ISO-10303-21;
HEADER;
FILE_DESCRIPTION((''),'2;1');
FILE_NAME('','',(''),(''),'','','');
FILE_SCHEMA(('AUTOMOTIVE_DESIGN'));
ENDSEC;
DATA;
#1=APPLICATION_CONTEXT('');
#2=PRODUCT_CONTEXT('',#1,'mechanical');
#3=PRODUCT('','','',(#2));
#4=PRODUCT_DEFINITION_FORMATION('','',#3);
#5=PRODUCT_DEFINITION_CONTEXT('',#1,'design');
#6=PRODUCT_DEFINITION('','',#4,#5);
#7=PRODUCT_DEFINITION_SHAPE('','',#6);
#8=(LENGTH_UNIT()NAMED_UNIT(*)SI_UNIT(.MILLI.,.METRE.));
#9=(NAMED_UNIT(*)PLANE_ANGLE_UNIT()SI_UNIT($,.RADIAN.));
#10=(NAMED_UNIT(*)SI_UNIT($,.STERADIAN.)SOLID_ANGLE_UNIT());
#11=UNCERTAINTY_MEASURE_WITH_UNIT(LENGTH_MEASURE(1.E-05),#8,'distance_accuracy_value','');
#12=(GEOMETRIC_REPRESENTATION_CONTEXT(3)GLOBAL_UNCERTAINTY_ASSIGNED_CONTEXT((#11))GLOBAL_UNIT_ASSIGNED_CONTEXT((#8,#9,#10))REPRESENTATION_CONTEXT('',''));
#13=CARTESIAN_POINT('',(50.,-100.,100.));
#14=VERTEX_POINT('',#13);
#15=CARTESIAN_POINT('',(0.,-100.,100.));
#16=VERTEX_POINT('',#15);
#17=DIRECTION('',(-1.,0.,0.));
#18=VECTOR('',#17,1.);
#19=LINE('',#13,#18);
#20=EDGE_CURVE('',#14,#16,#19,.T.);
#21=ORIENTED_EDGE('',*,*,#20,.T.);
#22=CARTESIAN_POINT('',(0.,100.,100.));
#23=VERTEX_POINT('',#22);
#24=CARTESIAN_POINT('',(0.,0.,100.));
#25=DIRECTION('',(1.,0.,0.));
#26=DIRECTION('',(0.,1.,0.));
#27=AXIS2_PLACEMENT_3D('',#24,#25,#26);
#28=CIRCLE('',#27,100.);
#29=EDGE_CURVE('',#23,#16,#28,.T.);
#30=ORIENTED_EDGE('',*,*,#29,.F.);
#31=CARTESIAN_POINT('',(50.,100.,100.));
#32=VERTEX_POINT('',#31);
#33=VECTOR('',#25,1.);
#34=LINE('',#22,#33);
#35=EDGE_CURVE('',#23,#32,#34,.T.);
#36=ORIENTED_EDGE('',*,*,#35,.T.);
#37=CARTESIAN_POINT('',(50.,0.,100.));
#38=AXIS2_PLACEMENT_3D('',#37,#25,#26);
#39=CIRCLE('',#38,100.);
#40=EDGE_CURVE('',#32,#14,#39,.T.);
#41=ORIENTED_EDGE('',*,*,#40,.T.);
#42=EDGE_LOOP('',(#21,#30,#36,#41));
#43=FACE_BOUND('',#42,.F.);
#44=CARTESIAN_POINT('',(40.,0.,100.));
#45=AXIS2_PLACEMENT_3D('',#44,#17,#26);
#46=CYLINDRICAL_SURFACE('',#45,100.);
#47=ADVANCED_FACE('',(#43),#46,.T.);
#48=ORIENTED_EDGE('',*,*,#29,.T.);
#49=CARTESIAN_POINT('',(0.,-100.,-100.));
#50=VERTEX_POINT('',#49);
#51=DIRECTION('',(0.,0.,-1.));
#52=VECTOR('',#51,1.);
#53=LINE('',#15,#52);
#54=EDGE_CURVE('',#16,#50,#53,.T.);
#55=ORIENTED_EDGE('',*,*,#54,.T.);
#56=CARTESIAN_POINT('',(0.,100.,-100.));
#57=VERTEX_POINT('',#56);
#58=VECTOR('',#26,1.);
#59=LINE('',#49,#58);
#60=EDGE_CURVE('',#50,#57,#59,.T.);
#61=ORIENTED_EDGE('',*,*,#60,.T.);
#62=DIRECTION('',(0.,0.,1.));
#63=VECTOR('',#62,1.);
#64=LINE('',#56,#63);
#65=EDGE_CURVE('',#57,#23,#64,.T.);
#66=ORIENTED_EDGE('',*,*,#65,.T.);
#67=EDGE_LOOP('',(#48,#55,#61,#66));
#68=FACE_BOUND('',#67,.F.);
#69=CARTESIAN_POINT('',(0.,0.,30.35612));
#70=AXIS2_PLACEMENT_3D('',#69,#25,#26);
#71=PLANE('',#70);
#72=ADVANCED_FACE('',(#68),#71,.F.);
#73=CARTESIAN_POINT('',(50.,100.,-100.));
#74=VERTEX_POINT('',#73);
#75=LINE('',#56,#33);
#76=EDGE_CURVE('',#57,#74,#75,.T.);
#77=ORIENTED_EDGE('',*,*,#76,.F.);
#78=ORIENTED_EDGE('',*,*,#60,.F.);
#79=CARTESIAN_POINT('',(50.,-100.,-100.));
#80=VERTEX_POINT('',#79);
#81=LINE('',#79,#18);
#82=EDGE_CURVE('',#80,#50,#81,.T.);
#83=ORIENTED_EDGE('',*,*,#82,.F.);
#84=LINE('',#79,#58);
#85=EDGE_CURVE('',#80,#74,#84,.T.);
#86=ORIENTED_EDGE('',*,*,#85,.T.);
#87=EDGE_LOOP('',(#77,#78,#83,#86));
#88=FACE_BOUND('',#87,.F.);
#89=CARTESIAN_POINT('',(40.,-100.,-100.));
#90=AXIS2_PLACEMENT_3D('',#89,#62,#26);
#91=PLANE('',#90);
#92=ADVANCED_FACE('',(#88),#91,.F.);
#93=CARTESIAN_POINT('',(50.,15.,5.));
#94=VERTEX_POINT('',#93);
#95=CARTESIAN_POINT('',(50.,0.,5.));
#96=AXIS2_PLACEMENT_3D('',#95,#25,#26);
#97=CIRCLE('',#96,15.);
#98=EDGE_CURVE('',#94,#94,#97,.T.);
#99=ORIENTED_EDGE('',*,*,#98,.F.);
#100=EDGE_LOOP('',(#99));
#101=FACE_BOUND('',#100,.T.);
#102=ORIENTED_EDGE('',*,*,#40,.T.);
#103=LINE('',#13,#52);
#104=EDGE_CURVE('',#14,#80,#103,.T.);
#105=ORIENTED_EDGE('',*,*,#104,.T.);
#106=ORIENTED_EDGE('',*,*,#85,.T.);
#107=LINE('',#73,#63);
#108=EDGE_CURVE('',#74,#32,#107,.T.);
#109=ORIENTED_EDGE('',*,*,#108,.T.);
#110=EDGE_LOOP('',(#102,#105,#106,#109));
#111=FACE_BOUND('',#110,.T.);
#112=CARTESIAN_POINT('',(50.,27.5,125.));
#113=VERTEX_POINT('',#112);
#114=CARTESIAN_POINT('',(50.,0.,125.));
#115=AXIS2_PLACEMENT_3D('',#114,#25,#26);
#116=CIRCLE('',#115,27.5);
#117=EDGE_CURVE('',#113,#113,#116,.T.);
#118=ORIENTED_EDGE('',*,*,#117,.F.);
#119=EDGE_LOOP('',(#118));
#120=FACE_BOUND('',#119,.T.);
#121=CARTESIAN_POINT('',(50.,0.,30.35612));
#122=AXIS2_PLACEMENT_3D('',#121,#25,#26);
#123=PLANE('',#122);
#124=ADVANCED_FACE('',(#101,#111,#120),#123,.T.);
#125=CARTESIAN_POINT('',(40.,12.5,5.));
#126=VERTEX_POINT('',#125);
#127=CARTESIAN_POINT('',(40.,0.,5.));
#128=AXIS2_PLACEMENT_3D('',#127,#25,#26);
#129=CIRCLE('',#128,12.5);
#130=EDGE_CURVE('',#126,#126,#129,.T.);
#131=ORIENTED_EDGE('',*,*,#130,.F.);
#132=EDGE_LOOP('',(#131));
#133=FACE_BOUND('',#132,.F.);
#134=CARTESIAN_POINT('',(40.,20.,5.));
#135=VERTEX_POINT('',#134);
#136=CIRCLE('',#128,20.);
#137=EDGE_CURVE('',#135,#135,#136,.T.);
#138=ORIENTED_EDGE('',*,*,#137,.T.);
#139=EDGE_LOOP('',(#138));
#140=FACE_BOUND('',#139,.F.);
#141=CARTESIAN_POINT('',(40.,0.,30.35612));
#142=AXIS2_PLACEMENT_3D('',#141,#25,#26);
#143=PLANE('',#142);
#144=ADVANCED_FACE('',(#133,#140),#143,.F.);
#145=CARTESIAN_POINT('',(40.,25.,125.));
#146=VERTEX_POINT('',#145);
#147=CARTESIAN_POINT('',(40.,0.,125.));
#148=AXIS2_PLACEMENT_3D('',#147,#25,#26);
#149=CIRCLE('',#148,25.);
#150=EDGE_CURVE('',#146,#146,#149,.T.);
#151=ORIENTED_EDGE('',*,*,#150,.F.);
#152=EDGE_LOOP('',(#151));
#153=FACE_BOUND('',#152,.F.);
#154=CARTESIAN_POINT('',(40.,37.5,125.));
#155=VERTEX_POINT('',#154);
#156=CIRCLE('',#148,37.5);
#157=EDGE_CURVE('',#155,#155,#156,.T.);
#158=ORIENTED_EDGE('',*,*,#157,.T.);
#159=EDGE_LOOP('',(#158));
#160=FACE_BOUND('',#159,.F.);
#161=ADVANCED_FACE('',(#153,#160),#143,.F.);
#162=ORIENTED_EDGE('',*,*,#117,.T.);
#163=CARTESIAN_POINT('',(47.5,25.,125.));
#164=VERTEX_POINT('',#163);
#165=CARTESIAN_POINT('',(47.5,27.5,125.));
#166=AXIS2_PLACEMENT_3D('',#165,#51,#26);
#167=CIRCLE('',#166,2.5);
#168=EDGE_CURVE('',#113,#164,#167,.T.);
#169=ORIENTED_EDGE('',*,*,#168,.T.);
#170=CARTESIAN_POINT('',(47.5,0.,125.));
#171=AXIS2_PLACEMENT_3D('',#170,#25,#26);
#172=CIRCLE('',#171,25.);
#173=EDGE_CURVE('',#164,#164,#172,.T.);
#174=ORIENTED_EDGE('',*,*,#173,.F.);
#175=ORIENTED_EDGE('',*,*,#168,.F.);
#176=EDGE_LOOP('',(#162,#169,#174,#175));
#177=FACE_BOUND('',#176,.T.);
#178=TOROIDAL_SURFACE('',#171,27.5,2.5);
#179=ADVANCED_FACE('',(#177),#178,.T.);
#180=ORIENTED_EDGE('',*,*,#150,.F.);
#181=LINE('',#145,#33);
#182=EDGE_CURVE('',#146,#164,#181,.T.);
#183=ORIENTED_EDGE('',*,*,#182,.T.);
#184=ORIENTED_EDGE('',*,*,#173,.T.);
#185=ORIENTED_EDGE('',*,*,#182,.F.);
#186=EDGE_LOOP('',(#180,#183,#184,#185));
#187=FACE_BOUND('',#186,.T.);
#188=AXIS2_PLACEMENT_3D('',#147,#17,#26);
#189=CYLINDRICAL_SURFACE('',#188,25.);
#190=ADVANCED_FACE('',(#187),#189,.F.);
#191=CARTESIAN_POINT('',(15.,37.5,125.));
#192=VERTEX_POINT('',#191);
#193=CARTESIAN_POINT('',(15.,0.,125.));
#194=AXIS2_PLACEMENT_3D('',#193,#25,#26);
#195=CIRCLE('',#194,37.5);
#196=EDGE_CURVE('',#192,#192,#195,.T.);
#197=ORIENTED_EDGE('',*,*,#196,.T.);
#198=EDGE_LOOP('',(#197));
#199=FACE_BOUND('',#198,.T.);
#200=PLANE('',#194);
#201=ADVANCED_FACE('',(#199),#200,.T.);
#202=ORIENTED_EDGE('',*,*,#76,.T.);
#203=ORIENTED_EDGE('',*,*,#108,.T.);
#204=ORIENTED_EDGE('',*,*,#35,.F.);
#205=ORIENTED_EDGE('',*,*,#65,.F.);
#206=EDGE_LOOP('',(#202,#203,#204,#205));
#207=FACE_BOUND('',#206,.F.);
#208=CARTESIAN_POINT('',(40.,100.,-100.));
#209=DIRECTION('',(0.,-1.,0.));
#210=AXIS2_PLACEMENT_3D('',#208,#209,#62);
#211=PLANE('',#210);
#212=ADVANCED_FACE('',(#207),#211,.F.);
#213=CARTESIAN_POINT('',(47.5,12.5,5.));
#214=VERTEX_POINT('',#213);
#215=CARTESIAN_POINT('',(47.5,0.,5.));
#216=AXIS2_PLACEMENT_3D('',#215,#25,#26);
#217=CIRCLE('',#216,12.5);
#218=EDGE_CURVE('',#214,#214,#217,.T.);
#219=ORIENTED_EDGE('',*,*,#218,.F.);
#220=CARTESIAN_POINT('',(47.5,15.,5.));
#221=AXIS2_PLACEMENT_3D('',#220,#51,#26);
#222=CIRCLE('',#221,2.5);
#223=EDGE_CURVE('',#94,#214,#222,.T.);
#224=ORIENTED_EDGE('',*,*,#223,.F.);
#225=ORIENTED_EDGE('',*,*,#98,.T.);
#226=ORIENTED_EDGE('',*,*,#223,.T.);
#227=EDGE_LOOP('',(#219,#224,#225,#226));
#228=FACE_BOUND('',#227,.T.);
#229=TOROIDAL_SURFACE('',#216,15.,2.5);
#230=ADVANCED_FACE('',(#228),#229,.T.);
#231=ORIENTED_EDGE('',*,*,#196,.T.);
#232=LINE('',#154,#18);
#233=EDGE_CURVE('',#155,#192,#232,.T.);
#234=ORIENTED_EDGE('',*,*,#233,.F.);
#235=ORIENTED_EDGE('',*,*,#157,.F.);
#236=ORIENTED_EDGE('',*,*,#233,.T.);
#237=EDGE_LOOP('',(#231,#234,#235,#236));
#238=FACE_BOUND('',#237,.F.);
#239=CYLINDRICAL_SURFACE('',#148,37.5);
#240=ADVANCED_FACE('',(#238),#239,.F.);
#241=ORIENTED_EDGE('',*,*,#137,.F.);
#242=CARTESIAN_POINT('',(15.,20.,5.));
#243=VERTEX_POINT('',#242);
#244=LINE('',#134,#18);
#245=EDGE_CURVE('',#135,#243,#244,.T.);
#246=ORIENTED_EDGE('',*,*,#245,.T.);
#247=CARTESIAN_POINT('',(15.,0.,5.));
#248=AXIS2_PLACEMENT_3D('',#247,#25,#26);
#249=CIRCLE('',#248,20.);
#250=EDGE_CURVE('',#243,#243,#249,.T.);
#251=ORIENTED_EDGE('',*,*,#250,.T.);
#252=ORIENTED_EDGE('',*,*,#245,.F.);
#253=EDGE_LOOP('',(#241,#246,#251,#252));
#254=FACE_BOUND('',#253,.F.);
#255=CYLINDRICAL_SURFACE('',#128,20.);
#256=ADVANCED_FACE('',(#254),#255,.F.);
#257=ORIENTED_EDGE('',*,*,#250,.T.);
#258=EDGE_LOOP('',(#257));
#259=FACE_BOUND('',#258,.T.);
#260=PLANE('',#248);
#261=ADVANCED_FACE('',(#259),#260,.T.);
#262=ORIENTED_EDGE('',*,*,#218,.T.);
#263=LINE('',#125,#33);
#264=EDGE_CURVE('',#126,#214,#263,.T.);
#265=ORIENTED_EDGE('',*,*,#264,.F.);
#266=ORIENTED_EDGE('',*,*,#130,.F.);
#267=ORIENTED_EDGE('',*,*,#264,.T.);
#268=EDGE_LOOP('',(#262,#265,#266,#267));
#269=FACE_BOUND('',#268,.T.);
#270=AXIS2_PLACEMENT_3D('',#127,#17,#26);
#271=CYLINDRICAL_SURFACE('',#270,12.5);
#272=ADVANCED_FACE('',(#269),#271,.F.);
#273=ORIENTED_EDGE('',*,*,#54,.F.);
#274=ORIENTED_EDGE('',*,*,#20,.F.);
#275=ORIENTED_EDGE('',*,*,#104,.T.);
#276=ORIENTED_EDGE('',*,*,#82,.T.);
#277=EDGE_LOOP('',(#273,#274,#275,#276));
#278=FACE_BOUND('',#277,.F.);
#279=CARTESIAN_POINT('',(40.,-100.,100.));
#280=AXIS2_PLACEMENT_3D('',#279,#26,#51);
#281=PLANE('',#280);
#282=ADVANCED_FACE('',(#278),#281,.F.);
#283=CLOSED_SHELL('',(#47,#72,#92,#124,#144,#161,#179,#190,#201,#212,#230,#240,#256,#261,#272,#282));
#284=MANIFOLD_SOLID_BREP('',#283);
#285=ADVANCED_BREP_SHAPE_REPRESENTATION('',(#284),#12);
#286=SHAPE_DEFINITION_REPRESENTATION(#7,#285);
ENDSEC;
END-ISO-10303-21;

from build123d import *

# Parameters (mm, degrees)
F1_DEPTH = 40
F2_R     = 37.5
F2_R_2   = 20
F4_DEPTH = 25
F5_R     = 12.5
F5_R_2   = 25
F6_DEPTH = 10
F7_R     = 2.5


with BuildPart() as f1:
    # F0 (on Right) → F1 (new body)
    with BuildSketch(Plane.YZ):
        with BuildLine():
            Line((-100, -100), (100, -100))
            Line((100, -100), (100, 100))
            ThreePointArc((100, 100), (0, 200), (-100, 100))
            Line((-100, 100), (-100, -100))
        make_face()
    extrude(amount=F1_DEPTH)

    # F2 (on face) → F4 (cut)
    with BuildSketch(Plane.YZ.offset(40)):
        with Locations((0, 125)):
            Circle(F2_R)
        with Locations((0, 5)):
            Circle(F2_R_2)
    extrude(amount=-F4_DEPTH, mode=Mode.SUBTRACT)

    # F5 (on face) → F6 (join)
    with BuildSketch(Plane.YZ.offset(40)):
        with BuildLine():
            Line((-100, -100), (100, -100))
            Line((100, -100), (100, 100))
            ThreePointArc((100, 100), (0, 200), (-100, 100))
            Line((-100, 100), (-100, -100))
        make_face()
        with Locations((0, 5)):
            Circle(F5_R, mode=Mode.SUBTRACT)
        with Locations((0, 125)):
            Circle(F5_R_2, mode=Mode.SUBTRACT)
    extrude(amount=F6_DEPTH)

    # F7
    f7_edges = [f1.edges().sort_by_distance(p)[0] for p in [
        (50, -25, 125),
        (50, -12.5, 5),
    ]]
    fillet(f7_edges, radius=F7_R)


solid = f1.part
